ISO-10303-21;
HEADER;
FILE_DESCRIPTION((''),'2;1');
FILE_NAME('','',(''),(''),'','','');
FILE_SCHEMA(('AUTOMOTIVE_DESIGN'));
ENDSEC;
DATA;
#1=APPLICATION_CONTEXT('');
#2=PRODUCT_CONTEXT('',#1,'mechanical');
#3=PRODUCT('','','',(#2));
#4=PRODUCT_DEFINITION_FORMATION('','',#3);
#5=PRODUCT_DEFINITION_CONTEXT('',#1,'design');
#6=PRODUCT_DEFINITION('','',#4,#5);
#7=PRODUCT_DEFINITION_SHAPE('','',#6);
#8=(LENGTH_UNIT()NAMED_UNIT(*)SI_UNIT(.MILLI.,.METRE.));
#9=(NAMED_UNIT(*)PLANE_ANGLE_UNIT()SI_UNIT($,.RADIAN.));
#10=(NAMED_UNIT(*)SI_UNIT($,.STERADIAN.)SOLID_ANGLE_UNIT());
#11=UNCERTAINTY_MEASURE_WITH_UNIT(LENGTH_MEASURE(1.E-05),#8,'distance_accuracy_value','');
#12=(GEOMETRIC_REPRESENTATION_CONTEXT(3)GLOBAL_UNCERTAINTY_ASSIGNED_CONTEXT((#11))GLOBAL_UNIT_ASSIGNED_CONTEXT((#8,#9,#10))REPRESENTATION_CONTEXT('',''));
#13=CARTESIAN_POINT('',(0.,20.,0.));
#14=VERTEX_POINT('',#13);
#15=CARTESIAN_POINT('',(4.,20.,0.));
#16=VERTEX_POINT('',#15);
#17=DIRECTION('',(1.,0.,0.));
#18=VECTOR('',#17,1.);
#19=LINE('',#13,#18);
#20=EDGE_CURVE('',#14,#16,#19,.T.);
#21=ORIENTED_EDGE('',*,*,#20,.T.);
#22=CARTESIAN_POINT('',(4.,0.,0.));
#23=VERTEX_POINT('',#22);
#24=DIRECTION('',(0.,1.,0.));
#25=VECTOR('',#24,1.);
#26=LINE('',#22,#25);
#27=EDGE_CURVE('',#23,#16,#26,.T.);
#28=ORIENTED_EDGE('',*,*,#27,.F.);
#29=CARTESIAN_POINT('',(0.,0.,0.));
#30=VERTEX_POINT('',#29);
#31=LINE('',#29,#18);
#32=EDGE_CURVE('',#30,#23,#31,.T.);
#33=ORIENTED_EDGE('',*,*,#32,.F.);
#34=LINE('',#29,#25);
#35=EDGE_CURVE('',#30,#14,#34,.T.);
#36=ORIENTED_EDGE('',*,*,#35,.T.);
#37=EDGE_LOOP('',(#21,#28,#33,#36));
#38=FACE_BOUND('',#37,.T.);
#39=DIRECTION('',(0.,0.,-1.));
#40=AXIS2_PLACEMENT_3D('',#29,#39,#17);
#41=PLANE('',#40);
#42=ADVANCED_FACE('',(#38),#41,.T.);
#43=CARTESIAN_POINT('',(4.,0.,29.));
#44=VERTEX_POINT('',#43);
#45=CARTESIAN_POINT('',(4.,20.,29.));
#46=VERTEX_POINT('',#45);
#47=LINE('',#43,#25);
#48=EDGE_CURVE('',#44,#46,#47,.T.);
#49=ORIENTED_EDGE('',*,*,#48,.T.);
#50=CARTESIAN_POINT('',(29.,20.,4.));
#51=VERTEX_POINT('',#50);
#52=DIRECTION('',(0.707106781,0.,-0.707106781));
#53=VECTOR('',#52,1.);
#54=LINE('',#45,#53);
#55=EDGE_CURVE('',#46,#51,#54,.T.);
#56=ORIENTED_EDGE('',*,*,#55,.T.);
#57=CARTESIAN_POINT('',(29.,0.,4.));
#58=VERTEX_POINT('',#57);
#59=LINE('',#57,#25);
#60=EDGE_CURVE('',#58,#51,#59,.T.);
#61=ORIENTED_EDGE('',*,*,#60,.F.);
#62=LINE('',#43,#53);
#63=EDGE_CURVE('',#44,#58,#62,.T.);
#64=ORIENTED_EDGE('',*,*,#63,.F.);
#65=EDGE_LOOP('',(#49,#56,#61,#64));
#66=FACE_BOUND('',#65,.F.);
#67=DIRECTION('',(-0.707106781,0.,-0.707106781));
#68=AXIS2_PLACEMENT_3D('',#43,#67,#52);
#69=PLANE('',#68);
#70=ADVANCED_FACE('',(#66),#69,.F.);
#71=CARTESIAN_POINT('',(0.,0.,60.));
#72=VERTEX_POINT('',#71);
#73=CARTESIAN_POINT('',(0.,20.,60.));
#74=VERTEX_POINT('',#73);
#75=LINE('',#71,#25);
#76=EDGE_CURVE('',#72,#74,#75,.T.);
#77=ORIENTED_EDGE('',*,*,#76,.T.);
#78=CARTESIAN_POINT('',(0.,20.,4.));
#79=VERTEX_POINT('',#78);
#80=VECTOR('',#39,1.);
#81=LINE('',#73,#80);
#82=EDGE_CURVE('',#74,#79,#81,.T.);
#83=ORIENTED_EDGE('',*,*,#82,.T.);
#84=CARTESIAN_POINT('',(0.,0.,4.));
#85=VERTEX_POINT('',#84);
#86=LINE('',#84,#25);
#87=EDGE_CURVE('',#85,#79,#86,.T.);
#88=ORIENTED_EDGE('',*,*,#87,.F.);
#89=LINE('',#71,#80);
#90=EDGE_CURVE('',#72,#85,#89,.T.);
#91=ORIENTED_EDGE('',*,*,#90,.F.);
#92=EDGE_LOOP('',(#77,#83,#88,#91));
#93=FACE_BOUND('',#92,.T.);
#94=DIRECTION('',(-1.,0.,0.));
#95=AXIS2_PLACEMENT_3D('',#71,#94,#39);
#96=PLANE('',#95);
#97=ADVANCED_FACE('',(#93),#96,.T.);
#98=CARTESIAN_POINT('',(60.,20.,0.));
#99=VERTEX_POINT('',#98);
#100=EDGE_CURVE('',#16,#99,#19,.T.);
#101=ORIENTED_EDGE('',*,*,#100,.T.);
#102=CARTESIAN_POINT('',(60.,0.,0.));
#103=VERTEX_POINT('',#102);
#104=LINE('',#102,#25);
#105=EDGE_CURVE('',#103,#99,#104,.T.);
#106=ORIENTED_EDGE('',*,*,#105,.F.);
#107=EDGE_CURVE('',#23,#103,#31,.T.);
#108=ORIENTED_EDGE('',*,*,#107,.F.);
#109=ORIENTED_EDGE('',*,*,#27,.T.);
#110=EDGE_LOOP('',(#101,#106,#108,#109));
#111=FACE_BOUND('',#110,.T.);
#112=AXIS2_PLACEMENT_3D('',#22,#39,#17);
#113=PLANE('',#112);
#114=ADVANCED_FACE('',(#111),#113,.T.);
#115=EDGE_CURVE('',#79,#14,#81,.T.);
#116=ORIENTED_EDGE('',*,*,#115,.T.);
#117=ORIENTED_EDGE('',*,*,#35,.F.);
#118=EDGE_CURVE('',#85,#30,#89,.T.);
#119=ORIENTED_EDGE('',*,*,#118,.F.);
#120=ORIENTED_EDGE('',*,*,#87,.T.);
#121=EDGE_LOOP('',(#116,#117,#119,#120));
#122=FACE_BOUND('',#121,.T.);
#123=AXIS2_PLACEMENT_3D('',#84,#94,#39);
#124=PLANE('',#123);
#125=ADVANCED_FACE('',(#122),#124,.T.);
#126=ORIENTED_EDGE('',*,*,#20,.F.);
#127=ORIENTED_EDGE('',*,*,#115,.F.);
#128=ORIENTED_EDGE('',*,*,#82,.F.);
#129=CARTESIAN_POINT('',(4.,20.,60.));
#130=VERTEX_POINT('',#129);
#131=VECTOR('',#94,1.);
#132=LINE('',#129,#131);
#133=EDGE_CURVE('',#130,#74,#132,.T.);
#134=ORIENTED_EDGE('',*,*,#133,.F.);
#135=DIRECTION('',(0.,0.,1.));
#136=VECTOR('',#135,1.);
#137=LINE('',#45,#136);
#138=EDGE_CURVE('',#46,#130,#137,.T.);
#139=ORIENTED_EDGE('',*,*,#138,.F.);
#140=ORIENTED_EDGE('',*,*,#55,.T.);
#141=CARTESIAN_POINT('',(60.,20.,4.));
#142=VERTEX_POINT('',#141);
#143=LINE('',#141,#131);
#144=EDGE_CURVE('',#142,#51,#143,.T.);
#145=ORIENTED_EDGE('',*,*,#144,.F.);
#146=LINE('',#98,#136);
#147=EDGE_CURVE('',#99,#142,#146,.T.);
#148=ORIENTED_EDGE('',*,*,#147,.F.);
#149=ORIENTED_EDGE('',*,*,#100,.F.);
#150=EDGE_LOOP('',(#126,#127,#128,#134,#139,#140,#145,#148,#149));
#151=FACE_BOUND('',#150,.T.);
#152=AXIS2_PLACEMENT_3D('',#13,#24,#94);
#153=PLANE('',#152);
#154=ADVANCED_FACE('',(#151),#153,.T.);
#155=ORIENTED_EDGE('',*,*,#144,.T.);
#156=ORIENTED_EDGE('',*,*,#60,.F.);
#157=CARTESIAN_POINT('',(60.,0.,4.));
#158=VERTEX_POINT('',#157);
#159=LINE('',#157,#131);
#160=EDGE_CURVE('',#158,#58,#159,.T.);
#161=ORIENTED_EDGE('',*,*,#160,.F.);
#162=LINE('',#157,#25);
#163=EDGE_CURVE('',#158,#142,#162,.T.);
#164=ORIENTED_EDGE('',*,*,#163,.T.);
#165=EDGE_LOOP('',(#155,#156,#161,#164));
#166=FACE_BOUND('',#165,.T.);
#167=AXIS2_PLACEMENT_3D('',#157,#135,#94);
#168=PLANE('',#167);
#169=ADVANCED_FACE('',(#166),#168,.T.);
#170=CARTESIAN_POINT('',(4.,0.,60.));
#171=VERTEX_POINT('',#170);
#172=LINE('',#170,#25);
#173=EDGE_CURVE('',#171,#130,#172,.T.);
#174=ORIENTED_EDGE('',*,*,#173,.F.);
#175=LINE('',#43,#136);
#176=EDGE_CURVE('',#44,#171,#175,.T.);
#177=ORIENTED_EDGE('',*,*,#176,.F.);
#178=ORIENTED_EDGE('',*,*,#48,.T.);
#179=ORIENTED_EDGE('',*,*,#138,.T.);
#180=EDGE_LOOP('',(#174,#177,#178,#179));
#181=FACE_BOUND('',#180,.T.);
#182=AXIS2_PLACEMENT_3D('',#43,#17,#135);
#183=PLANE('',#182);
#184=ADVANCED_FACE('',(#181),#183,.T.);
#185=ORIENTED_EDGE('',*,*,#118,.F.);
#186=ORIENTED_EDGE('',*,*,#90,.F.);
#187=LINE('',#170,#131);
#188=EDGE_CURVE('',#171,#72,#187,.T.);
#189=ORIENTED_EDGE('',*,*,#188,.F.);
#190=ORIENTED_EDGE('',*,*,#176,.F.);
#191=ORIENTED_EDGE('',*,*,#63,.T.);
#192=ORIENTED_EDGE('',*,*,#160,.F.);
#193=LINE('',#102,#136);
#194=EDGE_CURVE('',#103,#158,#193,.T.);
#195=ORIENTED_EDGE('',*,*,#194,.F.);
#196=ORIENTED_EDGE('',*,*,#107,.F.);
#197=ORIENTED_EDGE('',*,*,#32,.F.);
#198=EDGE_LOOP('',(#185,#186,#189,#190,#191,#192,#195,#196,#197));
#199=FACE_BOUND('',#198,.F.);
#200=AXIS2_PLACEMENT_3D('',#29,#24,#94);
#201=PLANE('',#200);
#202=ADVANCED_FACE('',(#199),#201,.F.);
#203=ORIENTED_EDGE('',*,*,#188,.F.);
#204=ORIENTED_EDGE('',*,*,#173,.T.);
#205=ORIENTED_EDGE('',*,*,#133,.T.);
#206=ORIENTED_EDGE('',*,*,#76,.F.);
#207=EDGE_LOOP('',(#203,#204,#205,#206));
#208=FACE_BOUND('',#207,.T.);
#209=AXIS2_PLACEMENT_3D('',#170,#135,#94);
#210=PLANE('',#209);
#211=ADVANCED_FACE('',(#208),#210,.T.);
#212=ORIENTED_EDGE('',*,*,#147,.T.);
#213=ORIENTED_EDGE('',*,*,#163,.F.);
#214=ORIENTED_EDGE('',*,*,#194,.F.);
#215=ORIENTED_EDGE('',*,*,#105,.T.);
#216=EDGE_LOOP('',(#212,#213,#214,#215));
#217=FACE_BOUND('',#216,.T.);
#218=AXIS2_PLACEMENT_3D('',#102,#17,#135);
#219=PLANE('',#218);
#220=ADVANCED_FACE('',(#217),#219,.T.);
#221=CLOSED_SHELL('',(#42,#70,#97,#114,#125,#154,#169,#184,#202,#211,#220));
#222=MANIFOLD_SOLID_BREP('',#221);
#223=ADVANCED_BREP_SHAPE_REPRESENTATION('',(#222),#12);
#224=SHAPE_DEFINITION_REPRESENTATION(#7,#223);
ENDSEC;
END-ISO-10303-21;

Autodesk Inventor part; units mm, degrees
ref_plane "YZ Plane" through (0, 0, 0) normal (1, 0, 0) x (0, 1, 0)
ref_plane "XZ Plane" through (0, 0, 0) normal (0, 1, 0) x (-1, 0, 0)
ref_plane "XY Plane" through (0, 0, 0) normal (0, 0, 1) x (1, 0, 0)
sketch "Эскиз1" plane through (0, 0, 0) normal (0, 1, 0) x (-1, 0, 0)
  line L0 (0, 0) -> (-4, 0)
  line L1 (-4, 29) -> (-4, 60)
  line L2 (-4, 60) -> (0, 60)
  line L3 (0, 60) -> (0, 0)
  line L4 (0, 0) -> (-60, 0)
  line L5 (-60, 0) -> (-60, 4)
  line L6 (-60, 4) -> (-29, 4)
  line L7 (0, 4) -> (0, 0)
  line L8 (-4, 29) -> (-29, 4)
  dimension "d0" = 4
  dimension "d1" = 60
  dimension "d2" = 60
  dimension "d3" = 4
  dimension "d4" = 25
  dimension "d5" = 25
extrude "Выдавливание1" add sketch "Эскиз1" along normal blind 20
properties part number "уголок"
